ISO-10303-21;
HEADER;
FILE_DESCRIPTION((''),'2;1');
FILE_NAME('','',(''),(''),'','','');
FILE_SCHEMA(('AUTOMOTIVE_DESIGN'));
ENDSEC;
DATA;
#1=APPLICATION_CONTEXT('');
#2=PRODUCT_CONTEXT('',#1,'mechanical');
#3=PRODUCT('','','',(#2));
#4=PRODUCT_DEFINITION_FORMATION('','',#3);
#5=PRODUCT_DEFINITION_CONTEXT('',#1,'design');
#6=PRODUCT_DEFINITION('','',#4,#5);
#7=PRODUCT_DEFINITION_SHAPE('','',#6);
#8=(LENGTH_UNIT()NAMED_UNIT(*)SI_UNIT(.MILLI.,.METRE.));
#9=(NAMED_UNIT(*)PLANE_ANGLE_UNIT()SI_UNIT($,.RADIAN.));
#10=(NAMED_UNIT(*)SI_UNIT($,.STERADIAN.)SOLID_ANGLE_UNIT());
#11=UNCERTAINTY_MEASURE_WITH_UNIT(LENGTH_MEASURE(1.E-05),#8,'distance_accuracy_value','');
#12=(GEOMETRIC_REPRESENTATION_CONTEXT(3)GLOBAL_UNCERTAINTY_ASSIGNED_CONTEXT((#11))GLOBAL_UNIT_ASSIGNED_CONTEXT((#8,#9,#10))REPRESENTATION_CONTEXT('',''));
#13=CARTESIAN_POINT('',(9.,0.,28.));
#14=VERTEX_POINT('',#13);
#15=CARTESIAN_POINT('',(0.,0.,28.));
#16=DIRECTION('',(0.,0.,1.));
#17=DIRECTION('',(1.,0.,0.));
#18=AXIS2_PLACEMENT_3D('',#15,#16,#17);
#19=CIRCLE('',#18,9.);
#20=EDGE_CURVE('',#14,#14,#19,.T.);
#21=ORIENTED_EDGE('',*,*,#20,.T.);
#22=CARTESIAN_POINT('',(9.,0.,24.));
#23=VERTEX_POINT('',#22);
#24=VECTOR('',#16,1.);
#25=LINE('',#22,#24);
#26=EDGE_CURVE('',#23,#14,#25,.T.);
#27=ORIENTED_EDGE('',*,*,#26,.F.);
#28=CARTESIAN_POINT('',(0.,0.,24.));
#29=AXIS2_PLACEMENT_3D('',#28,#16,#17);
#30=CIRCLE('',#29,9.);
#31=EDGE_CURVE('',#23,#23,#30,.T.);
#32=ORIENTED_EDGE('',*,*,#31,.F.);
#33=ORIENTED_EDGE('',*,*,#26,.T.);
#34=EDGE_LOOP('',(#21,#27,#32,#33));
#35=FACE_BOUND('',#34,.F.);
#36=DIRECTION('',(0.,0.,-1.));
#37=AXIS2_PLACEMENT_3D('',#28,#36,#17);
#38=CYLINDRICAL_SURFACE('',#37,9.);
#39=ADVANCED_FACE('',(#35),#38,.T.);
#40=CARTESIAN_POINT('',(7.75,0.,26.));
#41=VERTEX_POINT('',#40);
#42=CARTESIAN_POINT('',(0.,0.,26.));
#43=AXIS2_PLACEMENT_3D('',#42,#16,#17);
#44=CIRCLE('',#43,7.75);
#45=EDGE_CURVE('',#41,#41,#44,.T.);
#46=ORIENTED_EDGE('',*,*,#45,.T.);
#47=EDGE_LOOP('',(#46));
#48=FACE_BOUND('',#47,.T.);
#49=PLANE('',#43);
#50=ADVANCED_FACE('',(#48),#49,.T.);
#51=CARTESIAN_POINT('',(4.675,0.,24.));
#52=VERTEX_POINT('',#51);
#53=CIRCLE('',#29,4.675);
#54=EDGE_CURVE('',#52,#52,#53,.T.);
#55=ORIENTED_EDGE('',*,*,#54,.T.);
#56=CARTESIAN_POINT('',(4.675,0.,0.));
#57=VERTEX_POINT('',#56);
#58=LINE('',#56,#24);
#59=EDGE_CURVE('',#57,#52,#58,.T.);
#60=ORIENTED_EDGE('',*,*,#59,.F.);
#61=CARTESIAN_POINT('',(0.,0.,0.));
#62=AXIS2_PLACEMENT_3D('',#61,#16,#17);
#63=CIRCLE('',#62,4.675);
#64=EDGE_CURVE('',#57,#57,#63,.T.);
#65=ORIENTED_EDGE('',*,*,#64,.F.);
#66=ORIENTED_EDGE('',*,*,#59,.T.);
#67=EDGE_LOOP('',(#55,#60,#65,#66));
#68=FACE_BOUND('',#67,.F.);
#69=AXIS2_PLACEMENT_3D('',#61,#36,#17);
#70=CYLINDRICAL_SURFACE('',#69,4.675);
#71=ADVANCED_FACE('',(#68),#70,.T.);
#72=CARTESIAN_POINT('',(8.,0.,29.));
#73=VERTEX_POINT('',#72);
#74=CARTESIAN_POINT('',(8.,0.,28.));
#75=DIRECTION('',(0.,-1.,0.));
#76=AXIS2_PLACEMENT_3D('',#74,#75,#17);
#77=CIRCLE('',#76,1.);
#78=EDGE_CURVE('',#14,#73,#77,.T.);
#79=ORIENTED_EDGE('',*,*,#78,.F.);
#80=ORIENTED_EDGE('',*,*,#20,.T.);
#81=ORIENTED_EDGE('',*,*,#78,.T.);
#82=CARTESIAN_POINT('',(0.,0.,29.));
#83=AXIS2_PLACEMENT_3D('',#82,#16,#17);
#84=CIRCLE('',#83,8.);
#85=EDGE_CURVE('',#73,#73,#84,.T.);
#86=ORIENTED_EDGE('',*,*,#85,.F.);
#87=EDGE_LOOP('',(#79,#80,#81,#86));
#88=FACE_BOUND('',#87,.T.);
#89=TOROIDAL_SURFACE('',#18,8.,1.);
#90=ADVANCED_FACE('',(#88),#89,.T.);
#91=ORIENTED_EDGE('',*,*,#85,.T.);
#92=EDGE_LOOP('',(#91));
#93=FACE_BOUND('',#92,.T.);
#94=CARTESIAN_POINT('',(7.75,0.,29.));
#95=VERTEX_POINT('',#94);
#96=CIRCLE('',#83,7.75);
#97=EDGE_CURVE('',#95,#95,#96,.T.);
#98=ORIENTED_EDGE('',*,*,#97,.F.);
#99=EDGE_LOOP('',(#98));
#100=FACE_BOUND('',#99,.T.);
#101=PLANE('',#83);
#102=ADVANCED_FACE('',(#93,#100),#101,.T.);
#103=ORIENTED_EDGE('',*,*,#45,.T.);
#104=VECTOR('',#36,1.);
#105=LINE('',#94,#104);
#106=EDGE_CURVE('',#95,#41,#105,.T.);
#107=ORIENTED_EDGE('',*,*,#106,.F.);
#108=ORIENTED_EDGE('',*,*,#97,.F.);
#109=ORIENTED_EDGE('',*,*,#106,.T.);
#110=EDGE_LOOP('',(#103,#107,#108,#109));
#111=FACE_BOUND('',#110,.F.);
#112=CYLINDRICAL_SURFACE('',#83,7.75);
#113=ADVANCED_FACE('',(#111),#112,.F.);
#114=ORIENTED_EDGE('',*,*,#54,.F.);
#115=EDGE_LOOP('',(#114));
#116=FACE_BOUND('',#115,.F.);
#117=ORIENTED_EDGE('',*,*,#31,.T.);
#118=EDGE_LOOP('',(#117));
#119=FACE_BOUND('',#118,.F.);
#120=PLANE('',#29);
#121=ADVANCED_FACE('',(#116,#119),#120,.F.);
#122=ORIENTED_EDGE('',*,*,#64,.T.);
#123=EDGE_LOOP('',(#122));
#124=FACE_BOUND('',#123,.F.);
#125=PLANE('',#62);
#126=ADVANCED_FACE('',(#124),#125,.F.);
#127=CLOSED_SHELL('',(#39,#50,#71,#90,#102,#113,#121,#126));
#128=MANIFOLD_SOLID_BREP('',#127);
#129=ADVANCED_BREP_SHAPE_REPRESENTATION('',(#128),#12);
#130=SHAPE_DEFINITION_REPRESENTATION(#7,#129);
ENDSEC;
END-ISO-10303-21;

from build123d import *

# Parameters (mm, degrees)
F0_R     = 4.675
F1_DEPTH = 24
F2_R     = 9
F3_DEPTH = 5
F4_R     = 7.75
F5_DEPTH = 3
F6_R     = 1


with BuildPart() as f1:
    # F0 (on Top) → F1 (new body)
    with BuildSketch(Plane.XY):
        Circle(F0_R)
    extrude(amount=F1_DEPTH)

    # F2 (on face) → F3 (join)
    with BuildSketch(Plane.XY.offset(24)):
        Circle(F2_R)
    extrude(amount=F3_DEPTH)

    # F4 (on face) → F5 (cut)
    with BuildSketch(Plane.XY.offset(29)):
        Circle(F4_R)
    extrude(amount=-F5_DEPTH, mode=Mode.SUBTRACT)

    # F6
    f6_edges = [f1.edges().sort_by_distance(p)[0] for p in [
        (-9, 0, 29),
    ]]
    fillet(f6_edges, radius=F6_R)


solid = f1.part
